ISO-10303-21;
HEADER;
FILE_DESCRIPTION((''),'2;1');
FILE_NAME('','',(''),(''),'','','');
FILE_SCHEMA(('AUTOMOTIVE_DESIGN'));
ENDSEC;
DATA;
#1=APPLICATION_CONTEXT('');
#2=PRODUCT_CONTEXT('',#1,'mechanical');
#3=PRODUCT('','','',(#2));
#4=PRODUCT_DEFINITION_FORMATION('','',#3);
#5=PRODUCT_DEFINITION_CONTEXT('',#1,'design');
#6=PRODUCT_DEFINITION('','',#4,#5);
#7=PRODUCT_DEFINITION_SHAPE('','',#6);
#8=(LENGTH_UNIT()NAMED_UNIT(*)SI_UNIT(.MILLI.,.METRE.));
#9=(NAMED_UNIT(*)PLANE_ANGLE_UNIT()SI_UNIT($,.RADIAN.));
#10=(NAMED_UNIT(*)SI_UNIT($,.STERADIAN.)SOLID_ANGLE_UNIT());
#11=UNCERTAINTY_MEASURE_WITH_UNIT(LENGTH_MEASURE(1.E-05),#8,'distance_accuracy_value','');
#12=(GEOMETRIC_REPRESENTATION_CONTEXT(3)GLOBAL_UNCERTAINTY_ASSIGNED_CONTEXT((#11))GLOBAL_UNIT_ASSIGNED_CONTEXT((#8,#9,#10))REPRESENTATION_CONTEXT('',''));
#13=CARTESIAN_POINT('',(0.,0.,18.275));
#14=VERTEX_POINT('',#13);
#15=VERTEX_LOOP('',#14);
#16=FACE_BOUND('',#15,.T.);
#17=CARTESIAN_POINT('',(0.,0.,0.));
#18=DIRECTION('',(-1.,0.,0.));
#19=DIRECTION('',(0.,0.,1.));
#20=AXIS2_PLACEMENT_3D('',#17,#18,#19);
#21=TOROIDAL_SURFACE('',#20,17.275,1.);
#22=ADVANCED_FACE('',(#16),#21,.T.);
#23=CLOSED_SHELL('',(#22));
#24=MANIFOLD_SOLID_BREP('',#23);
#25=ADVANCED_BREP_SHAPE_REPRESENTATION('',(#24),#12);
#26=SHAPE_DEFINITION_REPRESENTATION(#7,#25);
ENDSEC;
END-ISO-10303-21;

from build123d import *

# Parameters (mm, degrees)
SKETCH1_R = 1


with BuildPart() as part:
    # Sketch1 → Revolve1 (revolve)
    with BuildSketch(Plane.XY, mode=Mode.PRIVATE) as revolve1_sk:
        with Locations((0, 17.275)):
            Circle(SKETCH1_R)
    revolve(revolve1_sk.sketch.rotate(Axis((0, 0, 0), (1, 0, 0)), 90), axis=Axis((0, 0, 0), (1, 0, 0)))


solid = part.part
